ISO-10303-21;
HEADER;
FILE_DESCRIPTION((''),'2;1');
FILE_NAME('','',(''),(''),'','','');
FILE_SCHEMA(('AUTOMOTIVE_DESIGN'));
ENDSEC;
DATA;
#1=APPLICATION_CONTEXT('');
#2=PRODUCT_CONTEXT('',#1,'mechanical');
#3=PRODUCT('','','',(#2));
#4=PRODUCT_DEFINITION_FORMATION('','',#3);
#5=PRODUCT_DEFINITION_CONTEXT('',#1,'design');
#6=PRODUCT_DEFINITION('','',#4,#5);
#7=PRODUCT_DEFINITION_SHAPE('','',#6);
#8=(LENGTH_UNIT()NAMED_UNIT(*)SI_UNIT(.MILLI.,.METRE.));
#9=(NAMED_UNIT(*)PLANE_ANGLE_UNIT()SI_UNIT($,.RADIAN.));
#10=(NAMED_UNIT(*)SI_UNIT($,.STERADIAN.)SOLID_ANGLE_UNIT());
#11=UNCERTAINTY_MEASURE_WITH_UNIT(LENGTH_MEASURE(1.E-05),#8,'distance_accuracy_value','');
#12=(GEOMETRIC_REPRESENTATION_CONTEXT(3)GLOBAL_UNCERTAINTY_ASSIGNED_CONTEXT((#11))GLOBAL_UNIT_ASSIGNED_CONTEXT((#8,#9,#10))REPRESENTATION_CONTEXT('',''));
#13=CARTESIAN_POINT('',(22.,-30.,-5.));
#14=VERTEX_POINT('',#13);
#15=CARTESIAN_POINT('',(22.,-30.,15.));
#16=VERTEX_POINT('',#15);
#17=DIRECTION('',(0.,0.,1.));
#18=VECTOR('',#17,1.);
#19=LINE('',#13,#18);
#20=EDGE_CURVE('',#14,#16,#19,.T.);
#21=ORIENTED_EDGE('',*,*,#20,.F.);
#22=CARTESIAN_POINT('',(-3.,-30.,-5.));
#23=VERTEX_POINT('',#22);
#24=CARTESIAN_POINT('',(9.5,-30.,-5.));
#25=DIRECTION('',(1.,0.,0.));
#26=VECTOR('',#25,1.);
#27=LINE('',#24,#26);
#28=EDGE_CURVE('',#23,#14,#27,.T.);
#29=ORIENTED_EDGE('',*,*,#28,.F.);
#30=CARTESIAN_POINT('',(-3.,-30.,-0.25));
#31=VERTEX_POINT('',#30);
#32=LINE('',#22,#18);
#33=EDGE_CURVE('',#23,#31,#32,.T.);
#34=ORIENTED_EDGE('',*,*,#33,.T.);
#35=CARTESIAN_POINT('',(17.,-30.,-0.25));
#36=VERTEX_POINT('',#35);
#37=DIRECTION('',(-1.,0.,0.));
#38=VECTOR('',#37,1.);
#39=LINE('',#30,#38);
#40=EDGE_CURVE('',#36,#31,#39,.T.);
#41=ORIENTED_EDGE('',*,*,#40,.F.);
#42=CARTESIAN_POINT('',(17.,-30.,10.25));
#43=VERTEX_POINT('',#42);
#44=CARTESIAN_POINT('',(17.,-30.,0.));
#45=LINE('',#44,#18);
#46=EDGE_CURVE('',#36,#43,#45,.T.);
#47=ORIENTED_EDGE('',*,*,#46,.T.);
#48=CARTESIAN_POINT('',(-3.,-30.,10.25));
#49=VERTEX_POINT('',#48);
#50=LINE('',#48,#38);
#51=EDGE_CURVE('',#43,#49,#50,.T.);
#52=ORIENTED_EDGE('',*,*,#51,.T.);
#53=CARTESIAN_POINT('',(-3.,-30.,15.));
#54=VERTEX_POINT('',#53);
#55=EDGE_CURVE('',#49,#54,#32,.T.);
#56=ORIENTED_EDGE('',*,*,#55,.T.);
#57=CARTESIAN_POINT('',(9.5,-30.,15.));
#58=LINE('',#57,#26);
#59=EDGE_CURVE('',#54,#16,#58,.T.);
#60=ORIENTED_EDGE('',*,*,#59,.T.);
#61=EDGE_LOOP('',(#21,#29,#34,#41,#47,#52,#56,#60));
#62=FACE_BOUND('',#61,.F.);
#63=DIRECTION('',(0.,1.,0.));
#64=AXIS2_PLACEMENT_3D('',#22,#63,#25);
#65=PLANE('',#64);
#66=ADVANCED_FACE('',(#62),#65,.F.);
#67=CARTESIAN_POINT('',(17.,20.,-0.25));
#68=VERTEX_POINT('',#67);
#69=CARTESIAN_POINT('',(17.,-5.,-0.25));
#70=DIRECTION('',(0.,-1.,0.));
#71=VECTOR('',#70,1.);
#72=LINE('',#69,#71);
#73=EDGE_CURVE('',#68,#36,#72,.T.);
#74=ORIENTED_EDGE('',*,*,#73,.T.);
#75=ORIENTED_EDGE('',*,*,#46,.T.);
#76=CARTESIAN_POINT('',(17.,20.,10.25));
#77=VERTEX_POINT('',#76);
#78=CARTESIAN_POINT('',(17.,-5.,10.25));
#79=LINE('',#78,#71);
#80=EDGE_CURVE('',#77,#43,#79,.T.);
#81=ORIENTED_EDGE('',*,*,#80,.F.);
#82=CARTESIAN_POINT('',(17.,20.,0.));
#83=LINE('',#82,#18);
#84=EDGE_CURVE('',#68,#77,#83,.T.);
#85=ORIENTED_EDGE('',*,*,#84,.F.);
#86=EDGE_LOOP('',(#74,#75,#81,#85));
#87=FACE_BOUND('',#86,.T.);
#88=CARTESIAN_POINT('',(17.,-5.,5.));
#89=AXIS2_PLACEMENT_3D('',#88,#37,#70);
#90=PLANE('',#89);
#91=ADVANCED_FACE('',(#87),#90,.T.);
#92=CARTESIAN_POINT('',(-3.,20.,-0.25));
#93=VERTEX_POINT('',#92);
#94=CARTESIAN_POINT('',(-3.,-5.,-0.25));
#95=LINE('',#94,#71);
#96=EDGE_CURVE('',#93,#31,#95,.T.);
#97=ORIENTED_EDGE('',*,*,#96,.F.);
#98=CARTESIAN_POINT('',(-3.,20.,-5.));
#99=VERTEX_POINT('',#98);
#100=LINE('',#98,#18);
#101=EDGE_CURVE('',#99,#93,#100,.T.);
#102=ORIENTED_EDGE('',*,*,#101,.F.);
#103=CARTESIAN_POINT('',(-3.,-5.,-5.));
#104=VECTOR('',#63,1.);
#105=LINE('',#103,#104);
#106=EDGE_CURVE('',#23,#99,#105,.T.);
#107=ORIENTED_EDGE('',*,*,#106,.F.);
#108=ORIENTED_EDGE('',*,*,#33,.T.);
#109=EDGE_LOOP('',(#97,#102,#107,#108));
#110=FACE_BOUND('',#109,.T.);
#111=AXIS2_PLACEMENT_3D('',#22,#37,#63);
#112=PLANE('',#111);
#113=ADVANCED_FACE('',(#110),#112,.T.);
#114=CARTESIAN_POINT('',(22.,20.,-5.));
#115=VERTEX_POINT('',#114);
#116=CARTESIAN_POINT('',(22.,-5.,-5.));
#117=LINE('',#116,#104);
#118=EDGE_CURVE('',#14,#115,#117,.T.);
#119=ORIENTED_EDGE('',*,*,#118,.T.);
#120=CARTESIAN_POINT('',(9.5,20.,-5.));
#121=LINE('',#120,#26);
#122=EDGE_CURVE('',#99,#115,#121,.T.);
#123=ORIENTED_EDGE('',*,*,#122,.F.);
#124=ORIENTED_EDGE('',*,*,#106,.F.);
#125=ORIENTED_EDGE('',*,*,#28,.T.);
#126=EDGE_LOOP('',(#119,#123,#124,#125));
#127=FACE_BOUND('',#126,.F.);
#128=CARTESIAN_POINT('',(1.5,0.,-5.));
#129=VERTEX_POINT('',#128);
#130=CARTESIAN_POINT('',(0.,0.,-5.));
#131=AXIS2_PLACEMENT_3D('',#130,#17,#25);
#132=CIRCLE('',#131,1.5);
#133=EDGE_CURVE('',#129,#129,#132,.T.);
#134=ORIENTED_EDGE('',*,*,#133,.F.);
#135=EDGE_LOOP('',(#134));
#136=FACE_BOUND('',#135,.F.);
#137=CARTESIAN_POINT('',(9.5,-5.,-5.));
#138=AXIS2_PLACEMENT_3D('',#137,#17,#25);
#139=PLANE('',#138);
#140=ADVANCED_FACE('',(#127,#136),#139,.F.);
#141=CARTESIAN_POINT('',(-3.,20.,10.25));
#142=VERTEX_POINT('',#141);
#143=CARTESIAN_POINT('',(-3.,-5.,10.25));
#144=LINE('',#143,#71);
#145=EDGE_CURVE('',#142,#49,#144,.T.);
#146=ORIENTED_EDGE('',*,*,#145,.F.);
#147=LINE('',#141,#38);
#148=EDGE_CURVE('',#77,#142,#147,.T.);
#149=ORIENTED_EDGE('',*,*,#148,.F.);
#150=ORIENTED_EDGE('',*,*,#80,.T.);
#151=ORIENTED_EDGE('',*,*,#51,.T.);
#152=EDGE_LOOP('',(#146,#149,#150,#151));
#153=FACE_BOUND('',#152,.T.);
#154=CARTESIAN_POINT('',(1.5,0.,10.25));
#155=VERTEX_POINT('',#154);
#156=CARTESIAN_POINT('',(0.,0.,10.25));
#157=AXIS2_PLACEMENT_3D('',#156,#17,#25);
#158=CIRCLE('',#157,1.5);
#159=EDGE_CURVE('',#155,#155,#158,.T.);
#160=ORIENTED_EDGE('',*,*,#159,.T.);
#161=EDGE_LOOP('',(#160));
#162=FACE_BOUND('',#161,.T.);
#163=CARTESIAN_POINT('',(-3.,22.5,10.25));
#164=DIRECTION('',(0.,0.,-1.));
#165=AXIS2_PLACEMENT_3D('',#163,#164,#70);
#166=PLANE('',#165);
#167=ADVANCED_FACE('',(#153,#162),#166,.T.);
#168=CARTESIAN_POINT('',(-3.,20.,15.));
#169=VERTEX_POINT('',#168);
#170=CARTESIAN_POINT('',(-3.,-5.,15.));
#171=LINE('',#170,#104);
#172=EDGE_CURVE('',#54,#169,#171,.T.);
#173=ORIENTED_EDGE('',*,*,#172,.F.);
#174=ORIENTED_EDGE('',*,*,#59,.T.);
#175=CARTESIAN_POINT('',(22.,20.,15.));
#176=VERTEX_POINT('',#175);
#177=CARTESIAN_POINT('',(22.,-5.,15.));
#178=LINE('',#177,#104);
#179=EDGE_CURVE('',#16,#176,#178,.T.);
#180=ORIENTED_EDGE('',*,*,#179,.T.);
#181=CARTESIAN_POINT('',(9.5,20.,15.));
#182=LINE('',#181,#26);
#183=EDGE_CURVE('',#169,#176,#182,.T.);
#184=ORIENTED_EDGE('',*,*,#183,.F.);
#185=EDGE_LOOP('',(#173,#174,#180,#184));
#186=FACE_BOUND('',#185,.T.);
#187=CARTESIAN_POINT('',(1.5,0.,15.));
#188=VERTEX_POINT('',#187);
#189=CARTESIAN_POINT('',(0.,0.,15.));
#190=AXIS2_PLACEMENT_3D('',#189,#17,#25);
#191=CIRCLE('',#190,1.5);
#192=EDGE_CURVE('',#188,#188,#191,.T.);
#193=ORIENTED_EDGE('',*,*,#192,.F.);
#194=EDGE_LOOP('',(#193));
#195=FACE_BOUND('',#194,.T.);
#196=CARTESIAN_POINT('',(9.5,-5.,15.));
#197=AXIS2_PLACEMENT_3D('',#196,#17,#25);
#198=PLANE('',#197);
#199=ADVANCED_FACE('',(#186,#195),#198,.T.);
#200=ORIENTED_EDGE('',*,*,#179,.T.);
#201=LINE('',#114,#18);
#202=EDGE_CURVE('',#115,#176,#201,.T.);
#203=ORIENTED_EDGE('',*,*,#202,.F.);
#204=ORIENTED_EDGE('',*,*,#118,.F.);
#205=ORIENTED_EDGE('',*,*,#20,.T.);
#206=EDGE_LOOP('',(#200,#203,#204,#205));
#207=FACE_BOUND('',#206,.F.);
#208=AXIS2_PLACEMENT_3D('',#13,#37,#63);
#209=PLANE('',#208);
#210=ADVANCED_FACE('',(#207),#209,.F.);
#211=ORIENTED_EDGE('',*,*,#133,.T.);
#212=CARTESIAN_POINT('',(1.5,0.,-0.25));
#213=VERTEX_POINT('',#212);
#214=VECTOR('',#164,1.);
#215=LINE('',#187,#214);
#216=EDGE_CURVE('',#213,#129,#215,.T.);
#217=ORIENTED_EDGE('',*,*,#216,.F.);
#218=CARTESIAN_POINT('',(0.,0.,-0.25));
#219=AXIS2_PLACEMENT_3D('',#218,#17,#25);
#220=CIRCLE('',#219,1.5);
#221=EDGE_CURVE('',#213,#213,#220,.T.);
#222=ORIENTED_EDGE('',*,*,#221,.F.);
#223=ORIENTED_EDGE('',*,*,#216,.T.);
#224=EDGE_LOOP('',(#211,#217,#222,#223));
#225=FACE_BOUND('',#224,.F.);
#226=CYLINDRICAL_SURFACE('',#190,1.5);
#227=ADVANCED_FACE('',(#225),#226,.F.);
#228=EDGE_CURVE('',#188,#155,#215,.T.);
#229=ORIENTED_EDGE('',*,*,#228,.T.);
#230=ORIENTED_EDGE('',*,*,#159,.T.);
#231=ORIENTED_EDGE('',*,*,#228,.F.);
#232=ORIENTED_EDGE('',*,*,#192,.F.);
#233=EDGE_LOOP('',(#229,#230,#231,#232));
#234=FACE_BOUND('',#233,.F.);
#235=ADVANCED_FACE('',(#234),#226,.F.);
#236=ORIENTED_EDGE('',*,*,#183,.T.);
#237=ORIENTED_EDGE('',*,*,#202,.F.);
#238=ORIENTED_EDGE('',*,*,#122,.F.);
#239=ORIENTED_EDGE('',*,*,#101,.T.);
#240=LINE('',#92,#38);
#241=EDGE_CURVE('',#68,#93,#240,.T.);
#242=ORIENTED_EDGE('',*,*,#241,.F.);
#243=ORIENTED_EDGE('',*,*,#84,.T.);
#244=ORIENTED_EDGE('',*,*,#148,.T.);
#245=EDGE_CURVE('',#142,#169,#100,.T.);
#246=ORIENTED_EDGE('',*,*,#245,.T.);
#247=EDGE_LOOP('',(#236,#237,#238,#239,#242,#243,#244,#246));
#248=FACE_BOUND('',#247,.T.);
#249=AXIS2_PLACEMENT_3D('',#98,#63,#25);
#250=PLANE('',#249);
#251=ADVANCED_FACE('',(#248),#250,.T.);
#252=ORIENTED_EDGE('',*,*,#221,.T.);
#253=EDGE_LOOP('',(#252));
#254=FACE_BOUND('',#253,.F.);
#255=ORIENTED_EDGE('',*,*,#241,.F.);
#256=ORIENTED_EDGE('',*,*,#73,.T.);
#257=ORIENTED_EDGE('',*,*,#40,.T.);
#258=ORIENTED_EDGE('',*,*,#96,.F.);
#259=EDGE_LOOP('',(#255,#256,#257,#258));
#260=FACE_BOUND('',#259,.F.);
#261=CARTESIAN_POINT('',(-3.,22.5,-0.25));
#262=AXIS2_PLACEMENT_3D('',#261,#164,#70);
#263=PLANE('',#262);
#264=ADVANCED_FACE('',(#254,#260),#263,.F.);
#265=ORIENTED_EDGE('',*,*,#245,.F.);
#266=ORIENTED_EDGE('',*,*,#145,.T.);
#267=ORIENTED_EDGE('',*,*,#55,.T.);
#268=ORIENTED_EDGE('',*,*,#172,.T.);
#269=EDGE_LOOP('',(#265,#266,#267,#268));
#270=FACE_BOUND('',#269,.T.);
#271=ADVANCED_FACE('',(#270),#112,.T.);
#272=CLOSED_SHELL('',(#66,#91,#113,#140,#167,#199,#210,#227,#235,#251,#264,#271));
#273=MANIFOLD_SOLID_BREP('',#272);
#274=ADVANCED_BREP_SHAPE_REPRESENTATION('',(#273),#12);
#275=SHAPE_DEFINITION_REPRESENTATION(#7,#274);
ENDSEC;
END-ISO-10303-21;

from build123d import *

# Parameters (mm, degrees)
SKETCH001_W     = 25
SKETCH001_H     = 50
PAD001_DEPTH    = 20
SKETCH002_W     = 55
SKETCH002_H     = 10.5
POCKET_DEPTH    = 20
SKETCH003_R     = 1.5
POCKET001_DEPTH = 20.001


with BuildPart() as part:
    # Sketch001 → Pad001 (new body)
    with BuildSketch(Plane.XY):
        with Locations((9.5, -5)):
            Rectangle(SKETCH001_W, SKETCH001_H)
    extrude(amount=PAD001_DEPTH)

    # Sketch002 (on Face4 of Pad001) → Pocket (cut)
    with BuildSketch(Plane(origin=(-3, 0, 0), x_dir=(0, -1, 0), z_dir=(-1, 0, 0))):
        with Locations((5, 10)):
            Rectangle(SKETCH002_W, SKETCH002_H)
    extrude(amount=-POCKET_DEPTH, mode=Mode.SUBTRACT)

    # Sketch003 (on Face6 of Pad001) → Pocket001 (cut, through all)
    with BuildSketch(Plane.XY.offset(20)):
        Circle(SKETCH003_R)
    extrude(amount=-POCKET001_DEPTH, mode=Mode.SUBTRACT)


with BuildPart() as part_1:
    # Body001 placement: moved
    add(part.part.moved(Location((0, 0, -5))))


solid = part_1.part
